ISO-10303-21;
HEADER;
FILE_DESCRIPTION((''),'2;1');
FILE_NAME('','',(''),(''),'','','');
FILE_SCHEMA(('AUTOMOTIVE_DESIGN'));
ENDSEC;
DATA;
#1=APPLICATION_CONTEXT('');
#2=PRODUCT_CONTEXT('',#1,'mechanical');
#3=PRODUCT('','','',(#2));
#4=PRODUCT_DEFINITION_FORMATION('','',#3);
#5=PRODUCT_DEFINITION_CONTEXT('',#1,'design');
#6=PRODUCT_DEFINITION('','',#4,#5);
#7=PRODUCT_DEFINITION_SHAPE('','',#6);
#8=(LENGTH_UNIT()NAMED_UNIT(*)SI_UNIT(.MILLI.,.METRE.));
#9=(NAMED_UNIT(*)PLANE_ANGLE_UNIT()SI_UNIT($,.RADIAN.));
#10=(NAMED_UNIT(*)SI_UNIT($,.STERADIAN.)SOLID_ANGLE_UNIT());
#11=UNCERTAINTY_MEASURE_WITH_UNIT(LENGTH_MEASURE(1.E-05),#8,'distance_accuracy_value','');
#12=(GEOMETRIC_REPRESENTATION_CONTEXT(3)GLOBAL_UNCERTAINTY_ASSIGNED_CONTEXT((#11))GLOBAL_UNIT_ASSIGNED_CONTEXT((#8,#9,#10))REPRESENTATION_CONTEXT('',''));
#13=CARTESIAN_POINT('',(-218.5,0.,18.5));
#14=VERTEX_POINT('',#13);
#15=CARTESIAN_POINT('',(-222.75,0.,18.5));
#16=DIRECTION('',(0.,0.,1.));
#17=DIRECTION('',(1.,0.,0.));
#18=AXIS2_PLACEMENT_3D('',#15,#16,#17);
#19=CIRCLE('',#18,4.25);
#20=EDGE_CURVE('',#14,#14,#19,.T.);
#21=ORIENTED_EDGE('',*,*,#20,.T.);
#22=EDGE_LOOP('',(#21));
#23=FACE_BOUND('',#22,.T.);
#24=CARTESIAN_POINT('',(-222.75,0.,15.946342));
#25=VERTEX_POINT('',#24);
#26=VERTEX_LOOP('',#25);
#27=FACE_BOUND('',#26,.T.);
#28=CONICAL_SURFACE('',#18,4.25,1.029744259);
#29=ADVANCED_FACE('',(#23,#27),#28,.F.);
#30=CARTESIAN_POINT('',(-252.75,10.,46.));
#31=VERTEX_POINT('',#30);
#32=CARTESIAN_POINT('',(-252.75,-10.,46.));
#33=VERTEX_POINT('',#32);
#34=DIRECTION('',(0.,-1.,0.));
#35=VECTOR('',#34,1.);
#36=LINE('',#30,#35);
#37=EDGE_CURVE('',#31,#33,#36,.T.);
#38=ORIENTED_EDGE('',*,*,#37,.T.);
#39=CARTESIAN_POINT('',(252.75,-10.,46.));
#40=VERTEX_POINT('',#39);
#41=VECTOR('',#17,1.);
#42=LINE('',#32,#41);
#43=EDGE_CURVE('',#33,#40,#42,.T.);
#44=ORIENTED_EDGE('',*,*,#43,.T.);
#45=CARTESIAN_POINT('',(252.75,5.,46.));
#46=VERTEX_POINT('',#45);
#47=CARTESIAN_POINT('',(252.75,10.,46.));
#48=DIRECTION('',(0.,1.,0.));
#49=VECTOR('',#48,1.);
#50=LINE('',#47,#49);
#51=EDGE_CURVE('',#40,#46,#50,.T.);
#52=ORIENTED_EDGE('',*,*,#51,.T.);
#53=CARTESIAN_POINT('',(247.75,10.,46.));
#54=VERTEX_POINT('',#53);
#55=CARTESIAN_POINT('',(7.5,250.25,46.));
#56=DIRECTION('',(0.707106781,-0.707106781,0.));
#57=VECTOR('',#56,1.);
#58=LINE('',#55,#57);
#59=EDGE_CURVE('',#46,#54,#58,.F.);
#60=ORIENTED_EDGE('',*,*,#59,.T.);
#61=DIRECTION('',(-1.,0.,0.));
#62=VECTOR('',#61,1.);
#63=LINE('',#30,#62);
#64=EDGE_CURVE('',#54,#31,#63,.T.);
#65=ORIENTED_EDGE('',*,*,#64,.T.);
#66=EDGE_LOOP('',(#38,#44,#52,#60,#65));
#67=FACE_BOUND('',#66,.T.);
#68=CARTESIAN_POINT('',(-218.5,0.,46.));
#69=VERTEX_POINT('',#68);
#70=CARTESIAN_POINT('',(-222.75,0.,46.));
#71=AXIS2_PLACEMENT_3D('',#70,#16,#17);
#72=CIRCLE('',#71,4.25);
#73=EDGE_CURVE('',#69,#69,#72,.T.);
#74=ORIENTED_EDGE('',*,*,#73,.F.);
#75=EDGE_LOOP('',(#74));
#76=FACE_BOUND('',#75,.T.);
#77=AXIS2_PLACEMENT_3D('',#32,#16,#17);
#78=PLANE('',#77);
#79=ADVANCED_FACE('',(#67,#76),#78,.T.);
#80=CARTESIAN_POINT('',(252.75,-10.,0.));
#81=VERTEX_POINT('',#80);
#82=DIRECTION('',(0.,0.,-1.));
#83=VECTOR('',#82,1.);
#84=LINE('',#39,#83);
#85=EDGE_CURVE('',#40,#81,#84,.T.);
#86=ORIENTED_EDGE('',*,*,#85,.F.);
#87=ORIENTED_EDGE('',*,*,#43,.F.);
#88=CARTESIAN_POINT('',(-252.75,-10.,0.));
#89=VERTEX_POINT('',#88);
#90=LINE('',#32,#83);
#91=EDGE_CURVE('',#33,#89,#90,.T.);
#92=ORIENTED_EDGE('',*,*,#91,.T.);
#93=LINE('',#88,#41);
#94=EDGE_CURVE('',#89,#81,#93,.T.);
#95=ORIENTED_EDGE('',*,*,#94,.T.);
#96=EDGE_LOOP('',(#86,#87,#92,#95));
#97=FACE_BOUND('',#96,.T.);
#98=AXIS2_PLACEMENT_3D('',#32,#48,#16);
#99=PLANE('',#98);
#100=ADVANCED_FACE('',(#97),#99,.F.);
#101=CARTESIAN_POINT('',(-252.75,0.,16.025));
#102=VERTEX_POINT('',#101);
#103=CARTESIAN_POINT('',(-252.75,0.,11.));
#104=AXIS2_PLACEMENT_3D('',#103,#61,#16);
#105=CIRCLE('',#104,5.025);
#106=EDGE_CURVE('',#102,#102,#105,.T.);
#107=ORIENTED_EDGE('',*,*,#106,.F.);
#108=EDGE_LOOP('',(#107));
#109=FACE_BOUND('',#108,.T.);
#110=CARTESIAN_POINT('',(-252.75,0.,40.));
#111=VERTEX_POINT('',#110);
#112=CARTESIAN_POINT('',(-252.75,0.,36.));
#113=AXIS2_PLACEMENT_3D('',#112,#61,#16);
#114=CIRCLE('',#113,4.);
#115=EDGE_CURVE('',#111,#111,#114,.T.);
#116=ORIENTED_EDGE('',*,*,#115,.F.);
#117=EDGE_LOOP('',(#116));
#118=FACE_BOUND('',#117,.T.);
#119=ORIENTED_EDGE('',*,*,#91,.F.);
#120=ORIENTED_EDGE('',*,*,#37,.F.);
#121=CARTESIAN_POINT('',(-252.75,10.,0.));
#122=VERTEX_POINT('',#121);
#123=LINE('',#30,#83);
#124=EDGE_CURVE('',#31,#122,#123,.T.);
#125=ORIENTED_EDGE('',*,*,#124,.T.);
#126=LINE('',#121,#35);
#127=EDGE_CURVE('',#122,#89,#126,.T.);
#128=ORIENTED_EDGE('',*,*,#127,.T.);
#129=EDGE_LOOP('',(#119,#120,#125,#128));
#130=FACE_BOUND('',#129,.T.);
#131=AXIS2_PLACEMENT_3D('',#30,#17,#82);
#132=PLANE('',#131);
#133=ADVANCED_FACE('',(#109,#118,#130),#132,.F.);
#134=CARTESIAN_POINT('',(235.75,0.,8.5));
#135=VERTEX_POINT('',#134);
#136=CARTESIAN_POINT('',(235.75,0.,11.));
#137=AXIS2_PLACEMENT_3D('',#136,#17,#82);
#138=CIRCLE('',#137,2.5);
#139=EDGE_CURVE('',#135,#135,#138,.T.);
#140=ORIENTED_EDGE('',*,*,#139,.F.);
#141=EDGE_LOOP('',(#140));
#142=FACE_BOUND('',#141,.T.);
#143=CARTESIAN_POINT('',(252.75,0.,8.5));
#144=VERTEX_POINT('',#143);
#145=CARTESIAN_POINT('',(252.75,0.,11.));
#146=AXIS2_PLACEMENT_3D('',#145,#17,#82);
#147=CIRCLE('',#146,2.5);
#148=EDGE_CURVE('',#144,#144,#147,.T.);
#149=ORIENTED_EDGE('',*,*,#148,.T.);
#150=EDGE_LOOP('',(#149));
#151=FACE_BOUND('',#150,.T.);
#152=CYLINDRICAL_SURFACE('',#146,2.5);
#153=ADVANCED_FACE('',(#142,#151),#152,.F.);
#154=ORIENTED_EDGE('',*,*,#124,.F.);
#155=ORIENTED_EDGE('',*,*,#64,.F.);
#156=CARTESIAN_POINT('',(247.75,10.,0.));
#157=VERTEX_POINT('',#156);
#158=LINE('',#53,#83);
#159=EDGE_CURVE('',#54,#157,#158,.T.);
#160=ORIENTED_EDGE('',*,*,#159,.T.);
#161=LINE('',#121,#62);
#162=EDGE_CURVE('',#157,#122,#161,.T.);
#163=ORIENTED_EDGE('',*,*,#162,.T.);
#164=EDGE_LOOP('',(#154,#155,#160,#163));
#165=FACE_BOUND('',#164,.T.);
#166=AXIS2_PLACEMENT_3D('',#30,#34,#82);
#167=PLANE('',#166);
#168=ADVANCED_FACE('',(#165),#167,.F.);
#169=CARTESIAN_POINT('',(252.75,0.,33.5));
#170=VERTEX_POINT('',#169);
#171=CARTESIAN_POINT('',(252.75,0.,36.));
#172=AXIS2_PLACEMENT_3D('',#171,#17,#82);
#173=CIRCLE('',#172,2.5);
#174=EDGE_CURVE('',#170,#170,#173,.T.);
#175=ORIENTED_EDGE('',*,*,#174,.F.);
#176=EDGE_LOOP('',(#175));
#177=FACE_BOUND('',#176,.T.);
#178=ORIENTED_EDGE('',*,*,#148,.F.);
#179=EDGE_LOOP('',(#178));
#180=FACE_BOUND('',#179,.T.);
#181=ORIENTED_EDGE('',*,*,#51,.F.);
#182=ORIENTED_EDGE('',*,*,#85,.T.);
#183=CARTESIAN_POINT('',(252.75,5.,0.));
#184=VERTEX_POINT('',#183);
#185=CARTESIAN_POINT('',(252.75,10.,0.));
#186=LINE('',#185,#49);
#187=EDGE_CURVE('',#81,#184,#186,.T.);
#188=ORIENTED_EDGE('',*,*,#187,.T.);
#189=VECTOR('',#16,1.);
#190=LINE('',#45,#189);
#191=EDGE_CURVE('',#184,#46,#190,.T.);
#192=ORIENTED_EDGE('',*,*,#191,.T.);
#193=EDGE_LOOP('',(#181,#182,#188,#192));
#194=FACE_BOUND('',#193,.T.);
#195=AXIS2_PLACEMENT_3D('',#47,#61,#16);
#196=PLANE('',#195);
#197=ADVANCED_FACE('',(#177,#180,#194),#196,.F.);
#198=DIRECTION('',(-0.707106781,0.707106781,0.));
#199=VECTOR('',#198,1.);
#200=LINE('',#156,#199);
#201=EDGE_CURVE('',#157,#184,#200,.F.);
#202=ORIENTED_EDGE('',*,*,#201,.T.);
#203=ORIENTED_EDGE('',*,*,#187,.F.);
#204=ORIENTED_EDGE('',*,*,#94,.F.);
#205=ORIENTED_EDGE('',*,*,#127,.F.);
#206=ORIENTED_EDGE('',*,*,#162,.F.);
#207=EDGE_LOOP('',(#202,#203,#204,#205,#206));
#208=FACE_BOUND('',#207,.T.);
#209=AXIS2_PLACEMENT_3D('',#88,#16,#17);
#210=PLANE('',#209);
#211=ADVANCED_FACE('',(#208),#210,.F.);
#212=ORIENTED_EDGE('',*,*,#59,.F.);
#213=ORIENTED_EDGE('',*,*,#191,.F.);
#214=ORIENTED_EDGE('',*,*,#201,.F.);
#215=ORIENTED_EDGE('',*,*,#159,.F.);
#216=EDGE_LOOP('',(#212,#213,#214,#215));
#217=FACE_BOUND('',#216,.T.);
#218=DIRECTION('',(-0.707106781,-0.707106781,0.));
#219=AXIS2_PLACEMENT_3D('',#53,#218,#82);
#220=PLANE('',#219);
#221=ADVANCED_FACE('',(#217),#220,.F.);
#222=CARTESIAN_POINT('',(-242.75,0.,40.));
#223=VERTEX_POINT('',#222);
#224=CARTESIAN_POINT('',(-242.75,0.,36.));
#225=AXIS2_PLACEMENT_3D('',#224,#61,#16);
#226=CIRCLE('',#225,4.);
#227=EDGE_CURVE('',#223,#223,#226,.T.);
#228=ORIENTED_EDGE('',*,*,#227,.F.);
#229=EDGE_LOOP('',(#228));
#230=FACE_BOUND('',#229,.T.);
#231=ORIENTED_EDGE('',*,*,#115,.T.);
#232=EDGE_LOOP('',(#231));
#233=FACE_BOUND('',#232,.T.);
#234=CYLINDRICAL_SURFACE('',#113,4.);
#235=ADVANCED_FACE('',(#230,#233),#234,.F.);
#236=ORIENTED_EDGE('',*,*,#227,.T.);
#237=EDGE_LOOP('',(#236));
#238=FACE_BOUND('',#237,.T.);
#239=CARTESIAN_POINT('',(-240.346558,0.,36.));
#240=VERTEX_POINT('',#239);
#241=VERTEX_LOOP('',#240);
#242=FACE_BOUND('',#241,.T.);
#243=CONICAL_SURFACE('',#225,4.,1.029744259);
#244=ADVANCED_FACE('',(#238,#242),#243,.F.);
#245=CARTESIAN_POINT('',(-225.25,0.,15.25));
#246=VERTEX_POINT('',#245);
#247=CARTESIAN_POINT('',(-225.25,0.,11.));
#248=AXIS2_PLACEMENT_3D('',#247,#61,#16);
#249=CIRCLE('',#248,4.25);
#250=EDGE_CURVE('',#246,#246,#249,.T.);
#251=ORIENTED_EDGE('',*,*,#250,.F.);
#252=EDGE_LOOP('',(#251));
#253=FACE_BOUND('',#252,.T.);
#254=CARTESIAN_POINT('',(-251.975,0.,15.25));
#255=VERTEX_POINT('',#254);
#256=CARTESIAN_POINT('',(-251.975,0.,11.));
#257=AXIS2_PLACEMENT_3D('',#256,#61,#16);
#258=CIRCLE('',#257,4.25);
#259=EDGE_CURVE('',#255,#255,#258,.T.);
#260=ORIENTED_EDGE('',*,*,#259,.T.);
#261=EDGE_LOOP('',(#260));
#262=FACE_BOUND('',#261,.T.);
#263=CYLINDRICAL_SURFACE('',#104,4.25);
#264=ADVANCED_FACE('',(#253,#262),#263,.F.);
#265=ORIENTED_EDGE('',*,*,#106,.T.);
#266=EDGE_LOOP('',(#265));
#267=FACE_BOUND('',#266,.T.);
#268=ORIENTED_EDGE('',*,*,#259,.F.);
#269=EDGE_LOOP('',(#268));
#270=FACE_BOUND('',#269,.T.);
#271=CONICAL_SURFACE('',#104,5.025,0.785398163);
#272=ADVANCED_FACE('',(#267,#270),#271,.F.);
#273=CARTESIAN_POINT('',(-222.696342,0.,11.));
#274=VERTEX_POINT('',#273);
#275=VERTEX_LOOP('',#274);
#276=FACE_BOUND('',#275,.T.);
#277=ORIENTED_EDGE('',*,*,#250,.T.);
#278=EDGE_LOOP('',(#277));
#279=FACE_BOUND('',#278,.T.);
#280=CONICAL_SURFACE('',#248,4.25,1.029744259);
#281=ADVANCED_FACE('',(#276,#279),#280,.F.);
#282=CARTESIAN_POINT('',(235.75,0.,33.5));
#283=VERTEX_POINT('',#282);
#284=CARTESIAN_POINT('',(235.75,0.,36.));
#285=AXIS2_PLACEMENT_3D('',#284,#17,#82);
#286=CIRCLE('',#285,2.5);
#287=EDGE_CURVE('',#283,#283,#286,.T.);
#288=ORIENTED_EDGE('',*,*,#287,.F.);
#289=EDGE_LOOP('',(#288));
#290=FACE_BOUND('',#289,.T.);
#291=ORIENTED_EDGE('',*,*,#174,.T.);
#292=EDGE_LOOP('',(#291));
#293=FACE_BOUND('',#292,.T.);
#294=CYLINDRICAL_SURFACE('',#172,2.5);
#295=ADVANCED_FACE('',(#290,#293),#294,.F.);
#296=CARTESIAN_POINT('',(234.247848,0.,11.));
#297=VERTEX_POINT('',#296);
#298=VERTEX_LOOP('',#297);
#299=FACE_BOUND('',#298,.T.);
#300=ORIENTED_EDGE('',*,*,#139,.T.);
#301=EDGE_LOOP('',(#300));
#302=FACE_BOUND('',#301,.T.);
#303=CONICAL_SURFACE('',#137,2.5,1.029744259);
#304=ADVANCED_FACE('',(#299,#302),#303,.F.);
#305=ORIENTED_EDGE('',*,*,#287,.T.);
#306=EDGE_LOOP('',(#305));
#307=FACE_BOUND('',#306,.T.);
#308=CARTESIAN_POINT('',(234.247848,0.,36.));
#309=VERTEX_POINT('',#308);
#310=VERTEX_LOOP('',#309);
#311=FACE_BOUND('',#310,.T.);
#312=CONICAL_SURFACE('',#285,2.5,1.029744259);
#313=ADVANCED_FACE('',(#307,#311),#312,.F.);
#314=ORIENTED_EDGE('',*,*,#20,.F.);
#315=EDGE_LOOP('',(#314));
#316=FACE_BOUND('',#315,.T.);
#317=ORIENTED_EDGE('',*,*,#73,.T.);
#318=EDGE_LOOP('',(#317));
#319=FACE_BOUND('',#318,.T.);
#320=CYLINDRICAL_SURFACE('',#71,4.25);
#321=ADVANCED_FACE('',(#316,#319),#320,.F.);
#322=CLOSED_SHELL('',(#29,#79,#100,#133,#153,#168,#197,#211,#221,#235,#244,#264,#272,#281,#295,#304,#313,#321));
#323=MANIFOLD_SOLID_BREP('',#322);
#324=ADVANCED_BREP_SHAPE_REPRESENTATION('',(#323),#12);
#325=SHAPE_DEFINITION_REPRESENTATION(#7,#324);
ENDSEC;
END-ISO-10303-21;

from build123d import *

# Parameters (mm, degrees)
SKIZZE1_W                          = 505.5
SKIZZE1_H                          = 20
LINEAR_AUSTRAGEN1_DEPTH            = 46
M10_GEWINDEBOHRUNG1_D              = 8.5
M10_GEWINDEBOHRUNG1_DEPTH          = 27.5
M10_GEWINDEBOHRUNG1_CSINK_D        = 10.05
M10_GEWINDEBOHRUNG1_CSINK_ANGLE    = 90
M10_GEWINDEBOHRUNG1_TIP            = 2.553657631
F_8_0_8_DURCHMESSER_BOHRUNG1_D     = 8
F_8_0_8_DURCHMESSER_BOHRUNG1_DEPTH = 10
F_8_0_8_DURCHMESSER_BOHRUNG1_TIP   = 2.403442476
M10_GEWINDEBOHRUNG2_D              = 8.5
M10_GEWINDEBOHRUNG2_DEPTH          = 27.5
M10_GEWINDEBOHRUNG2_TIP            = 2.553657631
M6_GEWINDEBOHRUNG1_D               = 5
M6_GEWINDEBOHRUNG1_DEPTH           = 17
M6_GEWINDEBOHRUNG1_TIP             = 1.502151548
FASE1_SIZE                         = 5


with BuildPart() as part:
    # Skizze1 → Linear austragen1 (new body)
    with BuildSketch(Plane.XY):
        Rectangle(SKIZZE1_W, SKIZZE1_H)
    extrude(amount=LINEAR_AUSTRAGEN1_DEPTH)

    # M10 Gewindebohrung1
    with Locations(Plane.ZY.offset(252.75)):
        with Locations((11, 0)):
            CounterSinkHole(M10_GEWINDEBOHRUNG1_D / 2, M10_GEWINDEBOHRUNG1_CSINK_D / 2, depth=M10_GEWINDEBOHRUNG1_DEPTH, counter_sink_angle=M10_GEWINDEBOHRUNG1_CSINK_ANGLE)
            with Locations((0, 0, -(M10_GEWINDEBOHRUNG1_DEPTH + M10_GEWINDEBOHRUNG1_TIP / 2))):  # 118° drill point
                Cone(0, M10_GEWINDEBOHRUNG1_D / 2, M10_GEWINDEBOHRUNG1_TIP, mode=Mode.SUBTRACT)

    # Ø8.0 (8) Durchmesser Bohrung1
    with Locations(Plane.ZY.offset(252.75)):
        with Locations((36, 0)):
            Hole(F_8_0_8_DURCHMESSER_BOHRUNG1_D / 2, depth=F_8_0_8_DURCHMESSER_BOHRUNG1_DEPTH)
            with Locations((0, 0, -(F_8_0_8_DURCHMESSER_BOHRUNG1_DEPTH + F_8_0_8_DURCHMESSER_BOHRUNG1_TIP / 2))):  # 118° drill point
                Cone(0, F_8_0_8_DURCHMESSER_BOHRUNG1_D / 2, F_8_0_8_DURCHMESSER_BOHRUNG1_TIP, mode=Mode.SUBTRACT)

    # M10 Gewindebohrung2
    with Locations(Plane.XY.offset(46)):
        with Locations((-222.75, 0)):
            Hole(M10_GEWINDEBOHRUNG2_D / 2, depth=M10_GEWINDEBOHRUNG2_DEPTH)
            with Locations((0, 0, -(M10_GEWINDEBOHRUNG2_DEPTH + M10_GEWINDEBOHRUNG2_TIP / 2))):  # 118° drill point
                Cone(0, M10_GEWINDEBOHRUNG2_D / 2, M10_GEWINDEBOHRUNG2_TIP, mode=Mode.SUBTRACT)

    # M6 Gewindebohrung1
    with Locations(Plane(origin=(252.75, -240.771899173, -2.604695508), x_dir=(0, 1, 0), z_dir=(1, 0, 0))):
        with Locations((240.771899173, 13.604695508), (240.771899173, 38.604695508)):
            Hole(M6_GEWINDEBOHRUNG1_D / 2, depth=M6_GEWINDEBOHRUNG1_DEPTH)
            with Locations((0, 0, -(M6_GEWINDEBOHRUNG1_DEPTH + M6_GEWINDEBOHRUNG1_TIP / 2))):  # 118° drill point
                Cone(0, M6_GEWINDEBOHRUNG1_D / 2, M6_GEWINDEBOHRUNG1_TIP, mode=Mode.SUBTRACT)

    # Fase1
    fase1_edges = [part.edges().sort_by_distance(p)[0] for p in [
        (252.75, 10, 23),
    ]]
    chamfer(fase1_edges, length=FASE1_SIZE)


solid = part.part
